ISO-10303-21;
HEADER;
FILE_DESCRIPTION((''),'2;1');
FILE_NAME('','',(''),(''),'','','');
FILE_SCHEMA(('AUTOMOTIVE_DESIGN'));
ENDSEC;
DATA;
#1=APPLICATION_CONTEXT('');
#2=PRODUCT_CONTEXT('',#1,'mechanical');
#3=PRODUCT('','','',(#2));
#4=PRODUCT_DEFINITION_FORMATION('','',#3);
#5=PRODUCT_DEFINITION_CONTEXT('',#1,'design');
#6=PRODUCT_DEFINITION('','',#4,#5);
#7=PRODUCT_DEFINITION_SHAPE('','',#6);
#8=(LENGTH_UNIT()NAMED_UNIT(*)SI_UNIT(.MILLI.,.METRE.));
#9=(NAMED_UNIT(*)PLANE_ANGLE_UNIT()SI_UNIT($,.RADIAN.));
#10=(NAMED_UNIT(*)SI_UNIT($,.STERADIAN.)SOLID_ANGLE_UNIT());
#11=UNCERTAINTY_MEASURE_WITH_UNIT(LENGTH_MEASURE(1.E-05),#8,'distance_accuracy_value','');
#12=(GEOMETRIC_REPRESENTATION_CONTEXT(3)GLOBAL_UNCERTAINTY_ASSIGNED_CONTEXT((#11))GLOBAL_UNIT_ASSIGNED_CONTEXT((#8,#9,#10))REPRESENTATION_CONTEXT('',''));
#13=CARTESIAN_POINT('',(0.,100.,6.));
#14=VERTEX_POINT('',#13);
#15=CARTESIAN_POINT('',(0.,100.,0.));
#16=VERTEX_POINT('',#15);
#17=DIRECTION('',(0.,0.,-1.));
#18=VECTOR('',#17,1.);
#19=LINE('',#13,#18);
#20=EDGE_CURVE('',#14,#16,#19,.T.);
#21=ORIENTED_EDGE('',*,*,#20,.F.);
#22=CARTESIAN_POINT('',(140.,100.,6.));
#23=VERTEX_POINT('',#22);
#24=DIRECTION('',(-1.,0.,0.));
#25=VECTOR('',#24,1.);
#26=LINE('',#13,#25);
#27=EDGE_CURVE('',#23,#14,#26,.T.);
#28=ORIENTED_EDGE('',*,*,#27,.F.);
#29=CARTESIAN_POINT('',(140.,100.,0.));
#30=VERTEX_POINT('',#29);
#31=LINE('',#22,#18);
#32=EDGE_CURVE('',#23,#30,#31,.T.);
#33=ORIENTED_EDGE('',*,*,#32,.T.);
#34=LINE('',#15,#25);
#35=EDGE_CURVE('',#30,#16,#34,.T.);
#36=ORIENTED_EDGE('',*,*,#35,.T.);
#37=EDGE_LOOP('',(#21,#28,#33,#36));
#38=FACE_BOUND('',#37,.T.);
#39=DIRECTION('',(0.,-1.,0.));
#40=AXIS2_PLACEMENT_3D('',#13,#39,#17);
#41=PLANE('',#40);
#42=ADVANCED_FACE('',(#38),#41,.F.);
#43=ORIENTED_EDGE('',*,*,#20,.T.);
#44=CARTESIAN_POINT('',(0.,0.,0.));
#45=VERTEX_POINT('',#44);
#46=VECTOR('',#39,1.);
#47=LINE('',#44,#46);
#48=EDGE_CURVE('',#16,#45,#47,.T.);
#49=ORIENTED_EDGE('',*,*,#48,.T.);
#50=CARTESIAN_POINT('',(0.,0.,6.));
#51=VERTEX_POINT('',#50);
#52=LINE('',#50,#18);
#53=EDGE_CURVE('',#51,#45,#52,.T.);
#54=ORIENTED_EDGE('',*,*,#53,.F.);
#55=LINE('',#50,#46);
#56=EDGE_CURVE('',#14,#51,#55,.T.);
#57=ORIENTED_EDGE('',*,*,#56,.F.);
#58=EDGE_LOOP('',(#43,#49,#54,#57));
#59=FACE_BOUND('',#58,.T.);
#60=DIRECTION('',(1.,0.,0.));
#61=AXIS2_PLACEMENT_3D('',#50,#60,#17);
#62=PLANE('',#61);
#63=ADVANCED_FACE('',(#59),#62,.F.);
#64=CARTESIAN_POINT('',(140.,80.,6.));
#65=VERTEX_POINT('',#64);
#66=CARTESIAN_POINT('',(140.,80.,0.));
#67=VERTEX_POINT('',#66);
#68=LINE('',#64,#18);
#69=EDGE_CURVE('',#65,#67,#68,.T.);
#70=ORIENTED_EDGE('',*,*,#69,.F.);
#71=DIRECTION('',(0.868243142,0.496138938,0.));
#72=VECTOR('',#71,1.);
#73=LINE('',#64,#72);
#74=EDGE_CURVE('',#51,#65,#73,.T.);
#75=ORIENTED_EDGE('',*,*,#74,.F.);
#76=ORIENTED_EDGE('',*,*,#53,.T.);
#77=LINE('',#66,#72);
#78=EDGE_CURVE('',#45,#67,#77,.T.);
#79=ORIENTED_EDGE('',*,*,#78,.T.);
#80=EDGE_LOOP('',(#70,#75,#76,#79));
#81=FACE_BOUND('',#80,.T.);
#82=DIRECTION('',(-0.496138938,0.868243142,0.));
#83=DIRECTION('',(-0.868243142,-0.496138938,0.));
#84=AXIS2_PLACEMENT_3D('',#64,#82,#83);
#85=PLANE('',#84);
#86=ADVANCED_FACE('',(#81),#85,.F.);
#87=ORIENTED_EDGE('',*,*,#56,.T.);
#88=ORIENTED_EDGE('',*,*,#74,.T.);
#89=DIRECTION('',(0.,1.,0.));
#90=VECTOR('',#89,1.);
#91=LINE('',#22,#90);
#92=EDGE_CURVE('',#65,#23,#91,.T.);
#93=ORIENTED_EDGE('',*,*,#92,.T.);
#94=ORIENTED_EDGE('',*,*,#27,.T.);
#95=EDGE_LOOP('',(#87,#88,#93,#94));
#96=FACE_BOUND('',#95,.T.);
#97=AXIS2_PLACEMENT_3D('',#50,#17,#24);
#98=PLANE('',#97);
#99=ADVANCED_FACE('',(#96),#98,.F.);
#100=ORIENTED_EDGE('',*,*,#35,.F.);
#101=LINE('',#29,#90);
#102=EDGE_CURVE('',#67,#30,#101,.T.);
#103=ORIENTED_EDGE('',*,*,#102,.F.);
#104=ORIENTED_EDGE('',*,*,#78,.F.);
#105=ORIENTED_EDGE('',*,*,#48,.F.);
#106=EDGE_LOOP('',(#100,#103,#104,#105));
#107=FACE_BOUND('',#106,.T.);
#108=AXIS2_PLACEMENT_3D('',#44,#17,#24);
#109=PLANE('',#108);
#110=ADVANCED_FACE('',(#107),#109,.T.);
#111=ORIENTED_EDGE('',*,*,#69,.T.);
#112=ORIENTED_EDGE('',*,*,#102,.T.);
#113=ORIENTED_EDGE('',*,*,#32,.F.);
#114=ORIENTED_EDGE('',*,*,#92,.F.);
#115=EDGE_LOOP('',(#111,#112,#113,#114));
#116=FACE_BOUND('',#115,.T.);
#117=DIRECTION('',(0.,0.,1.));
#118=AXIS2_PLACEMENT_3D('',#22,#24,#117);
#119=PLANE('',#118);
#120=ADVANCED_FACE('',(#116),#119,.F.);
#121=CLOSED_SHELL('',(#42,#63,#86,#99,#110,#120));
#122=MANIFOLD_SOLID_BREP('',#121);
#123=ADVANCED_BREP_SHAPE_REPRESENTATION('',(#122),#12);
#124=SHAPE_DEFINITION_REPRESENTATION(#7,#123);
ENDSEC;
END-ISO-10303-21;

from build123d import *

# Parameters (mm, degrees)
EXTRUDE_1_DEPTH = 6


with BuildPart() as part:
    # 草图1 → 凸台-拉伸1 (new body)
    with BuildSketch(Plane.XY):
        Polygon((0, 0), (0, 100), (140, 100), (140, 80), align=None)
    extrude(amount=EXTRUDE_1_DEPTH)


solid = part.part
